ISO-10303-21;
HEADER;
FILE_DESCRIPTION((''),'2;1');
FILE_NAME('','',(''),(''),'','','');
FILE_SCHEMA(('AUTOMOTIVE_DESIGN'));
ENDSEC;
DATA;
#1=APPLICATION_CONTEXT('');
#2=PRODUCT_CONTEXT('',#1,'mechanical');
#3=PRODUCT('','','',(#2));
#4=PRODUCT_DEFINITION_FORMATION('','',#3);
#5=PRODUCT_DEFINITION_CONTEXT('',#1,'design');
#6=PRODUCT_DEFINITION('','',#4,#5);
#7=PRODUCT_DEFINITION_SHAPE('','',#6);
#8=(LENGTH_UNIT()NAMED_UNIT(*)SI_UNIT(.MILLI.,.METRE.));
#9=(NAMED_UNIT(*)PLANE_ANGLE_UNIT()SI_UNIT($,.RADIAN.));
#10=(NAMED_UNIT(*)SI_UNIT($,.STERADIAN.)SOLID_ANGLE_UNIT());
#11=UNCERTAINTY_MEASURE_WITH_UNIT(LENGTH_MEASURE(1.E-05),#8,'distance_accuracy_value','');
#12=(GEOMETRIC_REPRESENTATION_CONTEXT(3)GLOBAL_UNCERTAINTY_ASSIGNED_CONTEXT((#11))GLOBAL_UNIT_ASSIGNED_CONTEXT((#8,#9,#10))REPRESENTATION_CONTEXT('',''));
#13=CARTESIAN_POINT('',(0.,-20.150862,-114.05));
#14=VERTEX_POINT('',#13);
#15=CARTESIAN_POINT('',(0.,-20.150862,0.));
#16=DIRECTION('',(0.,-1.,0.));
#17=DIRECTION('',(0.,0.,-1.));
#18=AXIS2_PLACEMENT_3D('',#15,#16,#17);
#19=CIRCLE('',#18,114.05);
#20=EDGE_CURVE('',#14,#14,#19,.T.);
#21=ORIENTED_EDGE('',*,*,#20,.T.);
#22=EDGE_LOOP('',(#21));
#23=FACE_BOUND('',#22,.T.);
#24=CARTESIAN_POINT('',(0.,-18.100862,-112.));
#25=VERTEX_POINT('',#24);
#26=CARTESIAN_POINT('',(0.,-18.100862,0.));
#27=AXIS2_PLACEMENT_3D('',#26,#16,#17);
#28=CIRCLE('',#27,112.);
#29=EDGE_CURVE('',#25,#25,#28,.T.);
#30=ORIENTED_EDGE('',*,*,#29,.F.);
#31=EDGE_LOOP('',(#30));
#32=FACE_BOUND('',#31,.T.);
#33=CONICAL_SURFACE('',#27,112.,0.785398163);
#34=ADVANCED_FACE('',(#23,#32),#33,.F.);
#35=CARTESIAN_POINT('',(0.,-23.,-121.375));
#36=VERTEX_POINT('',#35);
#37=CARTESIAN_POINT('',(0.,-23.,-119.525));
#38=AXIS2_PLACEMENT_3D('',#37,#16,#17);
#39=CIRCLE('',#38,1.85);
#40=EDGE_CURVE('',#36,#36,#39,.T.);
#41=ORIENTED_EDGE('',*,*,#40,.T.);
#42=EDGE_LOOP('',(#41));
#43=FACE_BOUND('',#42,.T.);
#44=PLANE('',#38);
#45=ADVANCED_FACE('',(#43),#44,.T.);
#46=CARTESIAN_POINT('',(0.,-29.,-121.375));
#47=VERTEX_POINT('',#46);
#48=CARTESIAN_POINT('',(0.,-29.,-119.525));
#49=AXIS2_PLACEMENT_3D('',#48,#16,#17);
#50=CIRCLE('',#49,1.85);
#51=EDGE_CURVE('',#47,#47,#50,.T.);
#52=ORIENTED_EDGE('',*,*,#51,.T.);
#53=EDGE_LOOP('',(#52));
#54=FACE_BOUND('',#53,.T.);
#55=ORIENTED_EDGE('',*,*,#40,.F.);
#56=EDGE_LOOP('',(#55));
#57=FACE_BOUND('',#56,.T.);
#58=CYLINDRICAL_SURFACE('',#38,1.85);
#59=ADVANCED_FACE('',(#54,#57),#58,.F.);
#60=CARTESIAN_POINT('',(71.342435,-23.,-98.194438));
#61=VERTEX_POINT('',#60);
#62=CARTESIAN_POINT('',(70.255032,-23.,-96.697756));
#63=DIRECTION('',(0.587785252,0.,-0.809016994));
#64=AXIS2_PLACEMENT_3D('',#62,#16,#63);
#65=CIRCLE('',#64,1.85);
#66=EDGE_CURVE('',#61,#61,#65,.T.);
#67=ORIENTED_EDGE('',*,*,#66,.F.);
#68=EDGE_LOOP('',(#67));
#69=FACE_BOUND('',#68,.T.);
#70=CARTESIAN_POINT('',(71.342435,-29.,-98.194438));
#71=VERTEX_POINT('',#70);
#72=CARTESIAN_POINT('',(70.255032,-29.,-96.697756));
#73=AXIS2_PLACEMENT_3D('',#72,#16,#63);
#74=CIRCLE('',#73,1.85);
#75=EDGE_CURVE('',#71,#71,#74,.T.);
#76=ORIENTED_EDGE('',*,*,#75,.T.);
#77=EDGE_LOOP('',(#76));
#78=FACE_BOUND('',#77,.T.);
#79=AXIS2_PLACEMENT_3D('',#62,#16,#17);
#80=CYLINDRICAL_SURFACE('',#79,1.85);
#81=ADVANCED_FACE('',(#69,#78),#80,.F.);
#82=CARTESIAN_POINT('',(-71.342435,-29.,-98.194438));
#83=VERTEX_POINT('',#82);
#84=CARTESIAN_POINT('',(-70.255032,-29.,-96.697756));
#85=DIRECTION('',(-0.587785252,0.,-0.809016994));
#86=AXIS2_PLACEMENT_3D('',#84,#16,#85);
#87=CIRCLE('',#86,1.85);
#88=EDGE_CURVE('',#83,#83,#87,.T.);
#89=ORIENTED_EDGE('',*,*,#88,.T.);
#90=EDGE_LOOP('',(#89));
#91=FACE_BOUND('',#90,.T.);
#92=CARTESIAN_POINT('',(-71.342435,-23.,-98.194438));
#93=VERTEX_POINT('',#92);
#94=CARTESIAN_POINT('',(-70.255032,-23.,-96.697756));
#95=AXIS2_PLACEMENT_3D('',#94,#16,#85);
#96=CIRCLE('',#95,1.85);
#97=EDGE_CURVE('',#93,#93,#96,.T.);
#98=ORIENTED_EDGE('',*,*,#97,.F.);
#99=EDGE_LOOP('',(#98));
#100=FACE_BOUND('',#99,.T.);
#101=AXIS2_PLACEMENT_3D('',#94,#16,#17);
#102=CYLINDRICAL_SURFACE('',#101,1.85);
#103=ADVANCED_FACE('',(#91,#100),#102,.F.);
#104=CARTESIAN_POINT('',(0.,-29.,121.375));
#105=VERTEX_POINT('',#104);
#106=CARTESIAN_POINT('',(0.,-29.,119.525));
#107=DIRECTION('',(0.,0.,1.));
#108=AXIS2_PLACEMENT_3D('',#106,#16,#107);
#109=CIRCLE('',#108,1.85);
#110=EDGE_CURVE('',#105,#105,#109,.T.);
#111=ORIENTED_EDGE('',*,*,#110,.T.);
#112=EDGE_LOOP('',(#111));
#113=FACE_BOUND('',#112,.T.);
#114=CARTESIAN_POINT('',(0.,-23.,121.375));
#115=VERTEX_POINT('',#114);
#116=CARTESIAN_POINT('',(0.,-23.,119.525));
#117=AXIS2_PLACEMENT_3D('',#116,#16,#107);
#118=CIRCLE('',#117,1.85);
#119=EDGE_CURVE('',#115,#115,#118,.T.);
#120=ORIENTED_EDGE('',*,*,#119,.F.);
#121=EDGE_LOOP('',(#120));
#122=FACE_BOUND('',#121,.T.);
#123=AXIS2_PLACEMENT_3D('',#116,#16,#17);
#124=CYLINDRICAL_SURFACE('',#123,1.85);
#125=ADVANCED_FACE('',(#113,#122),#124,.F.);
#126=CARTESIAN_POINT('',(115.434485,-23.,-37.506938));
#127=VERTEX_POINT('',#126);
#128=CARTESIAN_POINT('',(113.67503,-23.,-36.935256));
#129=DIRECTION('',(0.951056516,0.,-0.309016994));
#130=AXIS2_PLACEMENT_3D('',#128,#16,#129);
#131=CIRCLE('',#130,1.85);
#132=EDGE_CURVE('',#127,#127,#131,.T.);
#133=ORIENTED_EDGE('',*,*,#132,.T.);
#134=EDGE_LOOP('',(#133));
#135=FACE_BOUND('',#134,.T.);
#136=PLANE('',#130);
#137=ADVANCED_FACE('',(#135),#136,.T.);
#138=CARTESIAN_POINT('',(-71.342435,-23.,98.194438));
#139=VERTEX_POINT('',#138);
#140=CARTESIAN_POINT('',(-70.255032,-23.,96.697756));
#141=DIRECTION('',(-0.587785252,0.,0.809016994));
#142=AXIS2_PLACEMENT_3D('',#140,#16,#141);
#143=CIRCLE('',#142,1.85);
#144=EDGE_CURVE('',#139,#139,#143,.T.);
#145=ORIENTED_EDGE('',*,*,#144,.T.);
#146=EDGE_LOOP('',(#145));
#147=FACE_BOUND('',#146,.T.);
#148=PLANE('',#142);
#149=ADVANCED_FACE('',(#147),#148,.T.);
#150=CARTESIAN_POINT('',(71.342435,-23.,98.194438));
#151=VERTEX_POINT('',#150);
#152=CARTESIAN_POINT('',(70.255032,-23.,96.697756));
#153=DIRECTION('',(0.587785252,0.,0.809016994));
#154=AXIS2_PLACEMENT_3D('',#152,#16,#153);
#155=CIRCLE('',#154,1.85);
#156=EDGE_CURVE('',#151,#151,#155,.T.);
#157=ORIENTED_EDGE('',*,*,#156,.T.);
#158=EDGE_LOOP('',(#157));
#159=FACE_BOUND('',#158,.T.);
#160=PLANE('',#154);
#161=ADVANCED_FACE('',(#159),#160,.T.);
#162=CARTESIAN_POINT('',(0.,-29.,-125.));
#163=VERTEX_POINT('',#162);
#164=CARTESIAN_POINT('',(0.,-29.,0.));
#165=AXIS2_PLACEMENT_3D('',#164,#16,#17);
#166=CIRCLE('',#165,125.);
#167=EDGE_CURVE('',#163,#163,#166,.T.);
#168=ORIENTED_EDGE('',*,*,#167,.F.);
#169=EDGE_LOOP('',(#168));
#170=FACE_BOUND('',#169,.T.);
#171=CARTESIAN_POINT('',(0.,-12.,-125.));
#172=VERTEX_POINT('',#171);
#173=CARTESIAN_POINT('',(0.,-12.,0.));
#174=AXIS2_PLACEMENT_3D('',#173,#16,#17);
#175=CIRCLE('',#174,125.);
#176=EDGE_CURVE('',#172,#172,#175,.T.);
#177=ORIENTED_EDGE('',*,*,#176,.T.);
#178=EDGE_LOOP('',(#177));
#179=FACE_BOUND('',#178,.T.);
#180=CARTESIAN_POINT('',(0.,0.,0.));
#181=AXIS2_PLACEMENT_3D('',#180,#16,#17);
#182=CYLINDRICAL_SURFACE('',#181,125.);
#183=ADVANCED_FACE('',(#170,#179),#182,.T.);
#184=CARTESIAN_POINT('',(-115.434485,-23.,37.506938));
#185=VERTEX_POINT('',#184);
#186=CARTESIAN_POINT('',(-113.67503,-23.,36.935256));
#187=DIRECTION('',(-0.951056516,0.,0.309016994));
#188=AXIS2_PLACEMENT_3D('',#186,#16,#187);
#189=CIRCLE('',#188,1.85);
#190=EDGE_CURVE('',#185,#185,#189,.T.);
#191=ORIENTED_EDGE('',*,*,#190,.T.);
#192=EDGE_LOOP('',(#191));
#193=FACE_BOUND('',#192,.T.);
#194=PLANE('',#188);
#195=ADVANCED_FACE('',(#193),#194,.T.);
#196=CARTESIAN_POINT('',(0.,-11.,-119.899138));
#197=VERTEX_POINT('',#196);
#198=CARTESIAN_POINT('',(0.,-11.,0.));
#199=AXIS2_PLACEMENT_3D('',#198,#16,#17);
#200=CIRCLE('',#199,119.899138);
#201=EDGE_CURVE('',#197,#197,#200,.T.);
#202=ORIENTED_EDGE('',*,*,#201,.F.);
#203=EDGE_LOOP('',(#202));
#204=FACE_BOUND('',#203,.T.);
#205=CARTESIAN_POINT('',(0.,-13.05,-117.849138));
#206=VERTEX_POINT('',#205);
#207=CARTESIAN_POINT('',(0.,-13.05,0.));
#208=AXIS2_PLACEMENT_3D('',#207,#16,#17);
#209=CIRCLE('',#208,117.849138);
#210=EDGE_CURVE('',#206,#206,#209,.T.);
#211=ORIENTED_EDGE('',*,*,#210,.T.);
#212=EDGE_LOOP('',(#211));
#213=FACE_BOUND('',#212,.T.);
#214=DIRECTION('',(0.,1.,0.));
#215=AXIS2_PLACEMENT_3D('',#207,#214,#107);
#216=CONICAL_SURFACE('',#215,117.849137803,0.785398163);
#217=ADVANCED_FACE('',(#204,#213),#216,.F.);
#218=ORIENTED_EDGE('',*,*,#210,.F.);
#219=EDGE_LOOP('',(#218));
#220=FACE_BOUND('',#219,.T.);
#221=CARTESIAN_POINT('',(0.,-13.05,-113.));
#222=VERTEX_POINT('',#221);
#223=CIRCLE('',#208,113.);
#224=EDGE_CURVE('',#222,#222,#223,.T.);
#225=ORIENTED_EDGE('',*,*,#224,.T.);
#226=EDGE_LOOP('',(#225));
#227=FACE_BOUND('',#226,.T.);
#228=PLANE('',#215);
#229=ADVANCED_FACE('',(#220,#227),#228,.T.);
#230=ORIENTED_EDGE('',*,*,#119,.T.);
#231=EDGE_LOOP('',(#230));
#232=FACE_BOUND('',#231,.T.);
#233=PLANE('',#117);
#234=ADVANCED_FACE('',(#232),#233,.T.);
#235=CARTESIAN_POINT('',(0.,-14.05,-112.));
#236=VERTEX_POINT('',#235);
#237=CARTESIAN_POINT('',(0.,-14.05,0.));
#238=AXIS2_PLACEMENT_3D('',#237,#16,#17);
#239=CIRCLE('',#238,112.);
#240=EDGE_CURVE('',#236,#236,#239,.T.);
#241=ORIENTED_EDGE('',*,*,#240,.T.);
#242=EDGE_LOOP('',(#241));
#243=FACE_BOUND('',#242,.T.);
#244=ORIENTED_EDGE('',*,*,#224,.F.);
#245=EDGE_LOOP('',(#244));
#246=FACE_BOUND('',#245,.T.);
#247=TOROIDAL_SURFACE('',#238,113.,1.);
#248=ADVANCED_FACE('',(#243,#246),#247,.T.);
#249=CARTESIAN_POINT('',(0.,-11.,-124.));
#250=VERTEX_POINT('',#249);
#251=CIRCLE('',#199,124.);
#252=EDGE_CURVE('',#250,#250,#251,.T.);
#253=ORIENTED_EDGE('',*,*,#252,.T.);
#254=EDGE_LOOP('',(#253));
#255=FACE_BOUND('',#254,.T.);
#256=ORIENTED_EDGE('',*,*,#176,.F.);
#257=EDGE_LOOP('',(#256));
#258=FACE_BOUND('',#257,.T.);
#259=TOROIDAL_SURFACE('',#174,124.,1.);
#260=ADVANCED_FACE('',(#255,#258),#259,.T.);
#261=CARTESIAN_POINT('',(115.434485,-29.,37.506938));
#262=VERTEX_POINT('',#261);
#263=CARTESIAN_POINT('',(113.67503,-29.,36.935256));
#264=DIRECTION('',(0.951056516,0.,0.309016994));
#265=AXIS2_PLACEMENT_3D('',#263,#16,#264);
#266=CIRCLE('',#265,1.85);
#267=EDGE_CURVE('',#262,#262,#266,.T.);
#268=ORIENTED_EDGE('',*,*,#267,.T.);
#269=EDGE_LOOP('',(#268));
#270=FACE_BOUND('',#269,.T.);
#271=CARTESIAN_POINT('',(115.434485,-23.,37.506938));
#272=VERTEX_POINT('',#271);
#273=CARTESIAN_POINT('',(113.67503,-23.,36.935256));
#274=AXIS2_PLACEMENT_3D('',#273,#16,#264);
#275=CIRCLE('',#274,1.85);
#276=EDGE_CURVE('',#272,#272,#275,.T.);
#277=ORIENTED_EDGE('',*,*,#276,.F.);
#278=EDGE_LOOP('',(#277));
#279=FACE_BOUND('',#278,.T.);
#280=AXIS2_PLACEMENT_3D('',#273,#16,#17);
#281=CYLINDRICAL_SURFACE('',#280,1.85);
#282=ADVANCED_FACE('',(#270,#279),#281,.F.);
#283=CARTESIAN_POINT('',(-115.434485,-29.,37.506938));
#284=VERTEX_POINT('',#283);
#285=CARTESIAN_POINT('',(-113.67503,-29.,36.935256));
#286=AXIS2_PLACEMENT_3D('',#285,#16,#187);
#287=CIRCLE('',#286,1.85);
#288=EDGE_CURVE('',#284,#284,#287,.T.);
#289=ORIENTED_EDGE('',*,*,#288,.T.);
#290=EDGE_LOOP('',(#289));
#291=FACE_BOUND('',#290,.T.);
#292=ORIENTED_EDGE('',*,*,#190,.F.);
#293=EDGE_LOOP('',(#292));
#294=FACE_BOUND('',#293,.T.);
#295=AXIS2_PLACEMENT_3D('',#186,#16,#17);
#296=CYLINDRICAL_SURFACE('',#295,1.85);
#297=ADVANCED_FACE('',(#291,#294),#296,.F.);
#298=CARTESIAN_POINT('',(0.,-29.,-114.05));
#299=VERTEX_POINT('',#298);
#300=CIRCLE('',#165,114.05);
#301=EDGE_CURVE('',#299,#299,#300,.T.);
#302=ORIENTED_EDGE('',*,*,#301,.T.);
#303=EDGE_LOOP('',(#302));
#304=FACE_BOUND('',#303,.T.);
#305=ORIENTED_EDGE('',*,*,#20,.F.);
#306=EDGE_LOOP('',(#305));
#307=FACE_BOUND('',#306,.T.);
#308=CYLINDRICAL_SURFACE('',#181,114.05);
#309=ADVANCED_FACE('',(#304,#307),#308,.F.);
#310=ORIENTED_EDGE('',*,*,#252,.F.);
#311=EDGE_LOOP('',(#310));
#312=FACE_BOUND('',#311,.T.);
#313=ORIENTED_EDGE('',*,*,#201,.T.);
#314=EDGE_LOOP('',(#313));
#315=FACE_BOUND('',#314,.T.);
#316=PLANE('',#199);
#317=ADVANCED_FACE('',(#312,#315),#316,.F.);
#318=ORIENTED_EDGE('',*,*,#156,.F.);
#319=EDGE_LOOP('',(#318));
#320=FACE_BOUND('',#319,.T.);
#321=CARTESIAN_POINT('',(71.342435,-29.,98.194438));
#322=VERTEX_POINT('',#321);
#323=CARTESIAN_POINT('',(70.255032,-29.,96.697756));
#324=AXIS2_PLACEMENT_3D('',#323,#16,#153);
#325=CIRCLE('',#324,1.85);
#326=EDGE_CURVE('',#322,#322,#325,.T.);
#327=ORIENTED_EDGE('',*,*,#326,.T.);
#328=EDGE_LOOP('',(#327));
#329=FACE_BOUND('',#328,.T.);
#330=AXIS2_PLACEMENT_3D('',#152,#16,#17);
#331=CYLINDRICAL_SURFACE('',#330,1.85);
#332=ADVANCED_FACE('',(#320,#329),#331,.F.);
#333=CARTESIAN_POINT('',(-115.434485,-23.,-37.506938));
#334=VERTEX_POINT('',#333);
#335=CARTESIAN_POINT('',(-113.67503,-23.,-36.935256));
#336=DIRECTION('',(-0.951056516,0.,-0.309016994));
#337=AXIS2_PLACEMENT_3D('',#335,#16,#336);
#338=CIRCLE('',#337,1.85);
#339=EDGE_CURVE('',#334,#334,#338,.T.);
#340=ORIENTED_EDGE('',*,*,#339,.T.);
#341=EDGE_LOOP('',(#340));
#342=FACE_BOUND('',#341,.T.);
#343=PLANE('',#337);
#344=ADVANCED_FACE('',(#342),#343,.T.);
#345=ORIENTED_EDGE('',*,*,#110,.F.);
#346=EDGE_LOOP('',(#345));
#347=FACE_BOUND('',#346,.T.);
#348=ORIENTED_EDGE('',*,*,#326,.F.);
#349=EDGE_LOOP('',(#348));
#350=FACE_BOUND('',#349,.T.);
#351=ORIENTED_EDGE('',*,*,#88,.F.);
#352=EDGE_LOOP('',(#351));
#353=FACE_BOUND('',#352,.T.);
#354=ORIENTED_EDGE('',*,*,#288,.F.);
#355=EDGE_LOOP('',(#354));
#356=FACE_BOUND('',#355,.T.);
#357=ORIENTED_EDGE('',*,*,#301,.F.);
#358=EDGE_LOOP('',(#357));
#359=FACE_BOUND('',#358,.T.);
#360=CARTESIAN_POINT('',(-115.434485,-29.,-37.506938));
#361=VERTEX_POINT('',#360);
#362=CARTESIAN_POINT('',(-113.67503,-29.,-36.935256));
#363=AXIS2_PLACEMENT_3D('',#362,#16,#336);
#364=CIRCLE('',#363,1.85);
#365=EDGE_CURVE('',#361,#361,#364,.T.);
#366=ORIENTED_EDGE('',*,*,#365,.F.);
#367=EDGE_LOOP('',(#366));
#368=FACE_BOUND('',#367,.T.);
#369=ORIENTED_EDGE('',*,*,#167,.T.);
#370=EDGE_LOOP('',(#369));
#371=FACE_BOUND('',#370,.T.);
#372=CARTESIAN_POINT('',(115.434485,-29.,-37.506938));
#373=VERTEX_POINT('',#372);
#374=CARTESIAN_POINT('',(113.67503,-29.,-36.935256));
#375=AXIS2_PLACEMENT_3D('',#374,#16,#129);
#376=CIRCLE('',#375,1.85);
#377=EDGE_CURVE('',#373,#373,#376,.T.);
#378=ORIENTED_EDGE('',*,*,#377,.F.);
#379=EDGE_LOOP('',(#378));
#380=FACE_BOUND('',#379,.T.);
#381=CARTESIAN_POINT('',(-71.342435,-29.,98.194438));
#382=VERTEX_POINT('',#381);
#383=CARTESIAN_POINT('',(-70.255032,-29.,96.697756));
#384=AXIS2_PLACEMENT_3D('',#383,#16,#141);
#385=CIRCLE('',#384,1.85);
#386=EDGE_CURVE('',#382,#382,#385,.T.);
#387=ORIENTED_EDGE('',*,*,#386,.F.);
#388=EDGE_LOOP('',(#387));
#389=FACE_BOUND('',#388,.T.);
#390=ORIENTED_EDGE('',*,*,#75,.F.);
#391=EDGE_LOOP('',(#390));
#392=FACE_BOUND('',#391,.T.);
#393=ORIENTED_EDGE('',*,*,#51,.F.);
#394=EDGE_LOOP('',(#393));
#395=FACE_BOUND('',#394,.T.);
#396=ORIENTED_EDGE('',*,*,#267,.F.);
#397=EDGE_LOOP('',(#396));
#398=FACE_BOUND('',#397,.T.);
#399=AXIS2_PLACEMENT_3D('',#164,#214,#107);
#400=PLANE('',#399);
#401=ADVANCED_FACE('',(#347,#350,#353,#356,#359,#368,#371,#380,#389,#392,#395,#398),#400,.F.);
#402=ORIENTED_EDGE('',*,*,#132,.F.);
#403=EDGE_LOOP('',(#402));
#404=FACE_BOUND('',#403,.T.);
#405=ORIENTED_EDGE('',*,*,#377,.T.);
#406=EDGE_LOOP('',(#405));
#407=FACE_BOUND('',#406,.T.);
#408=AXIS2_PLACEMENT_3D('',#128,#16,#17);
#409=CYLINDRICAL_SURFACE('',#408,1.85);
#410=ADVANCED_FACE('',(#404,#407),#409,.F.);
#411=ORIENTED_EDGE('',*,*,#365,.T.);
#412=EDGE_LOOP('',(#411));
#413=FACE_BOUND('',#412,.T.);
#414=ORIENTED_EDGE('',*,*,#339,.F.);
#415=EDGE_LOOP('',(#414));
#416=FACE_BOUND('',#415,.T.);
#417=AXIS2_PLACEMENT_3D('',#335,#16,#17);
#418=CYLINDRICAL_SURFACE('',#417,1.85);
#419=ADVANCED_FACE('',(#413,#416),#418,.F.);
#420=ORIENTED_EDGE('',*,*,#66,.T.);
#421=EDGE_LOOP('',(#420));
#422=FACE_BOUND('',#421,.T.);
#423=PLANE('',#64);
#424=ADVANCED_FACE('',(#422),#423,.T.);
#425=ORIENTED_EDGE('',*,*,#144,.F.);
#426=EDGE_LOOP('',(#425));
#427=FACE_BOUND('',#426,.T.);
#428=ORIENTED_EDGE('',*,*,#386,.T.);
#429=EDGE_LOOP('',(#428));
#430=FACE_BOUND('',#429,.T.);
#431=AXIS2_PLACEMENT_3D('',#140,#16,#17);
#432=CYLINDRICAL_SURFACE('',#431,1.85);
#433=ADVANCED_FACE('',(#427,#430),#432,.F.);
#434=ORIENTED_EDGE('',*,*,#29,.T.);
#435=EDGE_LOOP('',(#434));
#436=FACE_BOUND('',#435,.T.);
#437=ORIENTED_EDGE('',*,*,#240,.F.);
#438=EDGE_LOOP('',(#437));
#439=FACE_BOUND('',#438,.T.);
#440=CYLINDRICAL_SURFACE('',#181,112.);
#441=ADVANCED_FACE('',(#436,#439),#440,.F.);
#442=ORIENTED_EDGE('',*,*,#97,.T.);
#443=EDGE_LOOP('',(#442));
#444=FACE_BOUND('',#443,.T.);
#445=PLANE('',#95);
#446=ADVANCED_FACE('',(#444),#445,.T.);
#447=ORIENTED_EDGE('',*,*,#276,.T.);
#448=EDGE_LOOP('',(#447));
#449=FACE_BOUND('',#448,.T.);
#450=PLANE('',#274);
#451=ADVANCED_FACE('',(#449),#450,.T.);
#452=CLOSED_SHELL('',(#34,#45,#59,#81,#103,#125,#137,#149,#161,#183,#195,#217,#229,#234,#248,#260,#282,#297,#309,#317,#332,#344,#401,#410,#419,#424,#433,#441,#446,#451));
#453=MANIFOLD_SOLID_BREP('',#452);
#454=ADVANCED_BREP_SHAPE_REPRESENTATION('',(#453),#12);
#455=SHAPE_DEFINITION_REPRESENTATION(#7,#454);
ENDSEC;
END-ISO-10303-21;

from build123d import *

# Parameters (mm, degrees)
SKETCH4_R          = 1.85
CUT_EXTRUDE1_DEPTH = 6
CIRPATTERN1_COUNT  = 10


with BuildPart() as part:
    # Sketch3 (on Front Plane) → Revolve2 (revolve)
    with BuildSketch(Plane.XY, mode=Mode.PRIVATE) as revolve2_sk:
        with BuildLine():
            Line((-117.849137803, -13.05), (-113, -13.05))
            ThreePointArc((-113, -13.05), (-112.292893219, -13.342893219), (-112, -14.05))
            Line((-112, -14.05), (-112, -18.100862197))
            Line((-112, -18.100862197), (-114.05, -20.150862197))
            Line((-114.05, -20.150862197), (-114.05, -29))
            Line((-114.05, -29), (-125, -29))
            Line((-125, -29), (-125, -12))
            ThreePointArc((-125, -12), (-124.707106781, -11.292893219), (-124, -11))
            Line((-124, -11), (-119.899137803, -11))
            Line((-119.899137803, -11), (-117.849137803, -13.05))
        make_face()
    revolve(revolve2_sk.sketch.rotate(Axis((0, 0, 0), (0, 1, 0)), 270), axis=Axis((0, 0, 0), (0, 1, 0)))

    # Sketch4 → Cut-Extrude1 (cut)
    with BuildSketch(Plane.XZ.offset(29)):
        with Locations(Location((0, -119.525, 0), (0, 0, 270))):
            Circle(SKETCH4_R)
    cut_extrude1 = extrude(amount=-CUT_EXTRUDE1_DEPTH, mode=Mode.SUBTRACT)

    # CirPattern1: Cut-Extrude1 ×10 about axis
    cirpattern1_axis = Axis((0, 0, 0), (0, 1, 0))
    for i in range(1, CIRPATTERN1_COUNT):
        add(cut_extrude1.rotate(cirpattern1_axis, i * 360 / CIRPATTERN1_COUNT), mode=Mode.SUBTRACT)


solid = part.part
